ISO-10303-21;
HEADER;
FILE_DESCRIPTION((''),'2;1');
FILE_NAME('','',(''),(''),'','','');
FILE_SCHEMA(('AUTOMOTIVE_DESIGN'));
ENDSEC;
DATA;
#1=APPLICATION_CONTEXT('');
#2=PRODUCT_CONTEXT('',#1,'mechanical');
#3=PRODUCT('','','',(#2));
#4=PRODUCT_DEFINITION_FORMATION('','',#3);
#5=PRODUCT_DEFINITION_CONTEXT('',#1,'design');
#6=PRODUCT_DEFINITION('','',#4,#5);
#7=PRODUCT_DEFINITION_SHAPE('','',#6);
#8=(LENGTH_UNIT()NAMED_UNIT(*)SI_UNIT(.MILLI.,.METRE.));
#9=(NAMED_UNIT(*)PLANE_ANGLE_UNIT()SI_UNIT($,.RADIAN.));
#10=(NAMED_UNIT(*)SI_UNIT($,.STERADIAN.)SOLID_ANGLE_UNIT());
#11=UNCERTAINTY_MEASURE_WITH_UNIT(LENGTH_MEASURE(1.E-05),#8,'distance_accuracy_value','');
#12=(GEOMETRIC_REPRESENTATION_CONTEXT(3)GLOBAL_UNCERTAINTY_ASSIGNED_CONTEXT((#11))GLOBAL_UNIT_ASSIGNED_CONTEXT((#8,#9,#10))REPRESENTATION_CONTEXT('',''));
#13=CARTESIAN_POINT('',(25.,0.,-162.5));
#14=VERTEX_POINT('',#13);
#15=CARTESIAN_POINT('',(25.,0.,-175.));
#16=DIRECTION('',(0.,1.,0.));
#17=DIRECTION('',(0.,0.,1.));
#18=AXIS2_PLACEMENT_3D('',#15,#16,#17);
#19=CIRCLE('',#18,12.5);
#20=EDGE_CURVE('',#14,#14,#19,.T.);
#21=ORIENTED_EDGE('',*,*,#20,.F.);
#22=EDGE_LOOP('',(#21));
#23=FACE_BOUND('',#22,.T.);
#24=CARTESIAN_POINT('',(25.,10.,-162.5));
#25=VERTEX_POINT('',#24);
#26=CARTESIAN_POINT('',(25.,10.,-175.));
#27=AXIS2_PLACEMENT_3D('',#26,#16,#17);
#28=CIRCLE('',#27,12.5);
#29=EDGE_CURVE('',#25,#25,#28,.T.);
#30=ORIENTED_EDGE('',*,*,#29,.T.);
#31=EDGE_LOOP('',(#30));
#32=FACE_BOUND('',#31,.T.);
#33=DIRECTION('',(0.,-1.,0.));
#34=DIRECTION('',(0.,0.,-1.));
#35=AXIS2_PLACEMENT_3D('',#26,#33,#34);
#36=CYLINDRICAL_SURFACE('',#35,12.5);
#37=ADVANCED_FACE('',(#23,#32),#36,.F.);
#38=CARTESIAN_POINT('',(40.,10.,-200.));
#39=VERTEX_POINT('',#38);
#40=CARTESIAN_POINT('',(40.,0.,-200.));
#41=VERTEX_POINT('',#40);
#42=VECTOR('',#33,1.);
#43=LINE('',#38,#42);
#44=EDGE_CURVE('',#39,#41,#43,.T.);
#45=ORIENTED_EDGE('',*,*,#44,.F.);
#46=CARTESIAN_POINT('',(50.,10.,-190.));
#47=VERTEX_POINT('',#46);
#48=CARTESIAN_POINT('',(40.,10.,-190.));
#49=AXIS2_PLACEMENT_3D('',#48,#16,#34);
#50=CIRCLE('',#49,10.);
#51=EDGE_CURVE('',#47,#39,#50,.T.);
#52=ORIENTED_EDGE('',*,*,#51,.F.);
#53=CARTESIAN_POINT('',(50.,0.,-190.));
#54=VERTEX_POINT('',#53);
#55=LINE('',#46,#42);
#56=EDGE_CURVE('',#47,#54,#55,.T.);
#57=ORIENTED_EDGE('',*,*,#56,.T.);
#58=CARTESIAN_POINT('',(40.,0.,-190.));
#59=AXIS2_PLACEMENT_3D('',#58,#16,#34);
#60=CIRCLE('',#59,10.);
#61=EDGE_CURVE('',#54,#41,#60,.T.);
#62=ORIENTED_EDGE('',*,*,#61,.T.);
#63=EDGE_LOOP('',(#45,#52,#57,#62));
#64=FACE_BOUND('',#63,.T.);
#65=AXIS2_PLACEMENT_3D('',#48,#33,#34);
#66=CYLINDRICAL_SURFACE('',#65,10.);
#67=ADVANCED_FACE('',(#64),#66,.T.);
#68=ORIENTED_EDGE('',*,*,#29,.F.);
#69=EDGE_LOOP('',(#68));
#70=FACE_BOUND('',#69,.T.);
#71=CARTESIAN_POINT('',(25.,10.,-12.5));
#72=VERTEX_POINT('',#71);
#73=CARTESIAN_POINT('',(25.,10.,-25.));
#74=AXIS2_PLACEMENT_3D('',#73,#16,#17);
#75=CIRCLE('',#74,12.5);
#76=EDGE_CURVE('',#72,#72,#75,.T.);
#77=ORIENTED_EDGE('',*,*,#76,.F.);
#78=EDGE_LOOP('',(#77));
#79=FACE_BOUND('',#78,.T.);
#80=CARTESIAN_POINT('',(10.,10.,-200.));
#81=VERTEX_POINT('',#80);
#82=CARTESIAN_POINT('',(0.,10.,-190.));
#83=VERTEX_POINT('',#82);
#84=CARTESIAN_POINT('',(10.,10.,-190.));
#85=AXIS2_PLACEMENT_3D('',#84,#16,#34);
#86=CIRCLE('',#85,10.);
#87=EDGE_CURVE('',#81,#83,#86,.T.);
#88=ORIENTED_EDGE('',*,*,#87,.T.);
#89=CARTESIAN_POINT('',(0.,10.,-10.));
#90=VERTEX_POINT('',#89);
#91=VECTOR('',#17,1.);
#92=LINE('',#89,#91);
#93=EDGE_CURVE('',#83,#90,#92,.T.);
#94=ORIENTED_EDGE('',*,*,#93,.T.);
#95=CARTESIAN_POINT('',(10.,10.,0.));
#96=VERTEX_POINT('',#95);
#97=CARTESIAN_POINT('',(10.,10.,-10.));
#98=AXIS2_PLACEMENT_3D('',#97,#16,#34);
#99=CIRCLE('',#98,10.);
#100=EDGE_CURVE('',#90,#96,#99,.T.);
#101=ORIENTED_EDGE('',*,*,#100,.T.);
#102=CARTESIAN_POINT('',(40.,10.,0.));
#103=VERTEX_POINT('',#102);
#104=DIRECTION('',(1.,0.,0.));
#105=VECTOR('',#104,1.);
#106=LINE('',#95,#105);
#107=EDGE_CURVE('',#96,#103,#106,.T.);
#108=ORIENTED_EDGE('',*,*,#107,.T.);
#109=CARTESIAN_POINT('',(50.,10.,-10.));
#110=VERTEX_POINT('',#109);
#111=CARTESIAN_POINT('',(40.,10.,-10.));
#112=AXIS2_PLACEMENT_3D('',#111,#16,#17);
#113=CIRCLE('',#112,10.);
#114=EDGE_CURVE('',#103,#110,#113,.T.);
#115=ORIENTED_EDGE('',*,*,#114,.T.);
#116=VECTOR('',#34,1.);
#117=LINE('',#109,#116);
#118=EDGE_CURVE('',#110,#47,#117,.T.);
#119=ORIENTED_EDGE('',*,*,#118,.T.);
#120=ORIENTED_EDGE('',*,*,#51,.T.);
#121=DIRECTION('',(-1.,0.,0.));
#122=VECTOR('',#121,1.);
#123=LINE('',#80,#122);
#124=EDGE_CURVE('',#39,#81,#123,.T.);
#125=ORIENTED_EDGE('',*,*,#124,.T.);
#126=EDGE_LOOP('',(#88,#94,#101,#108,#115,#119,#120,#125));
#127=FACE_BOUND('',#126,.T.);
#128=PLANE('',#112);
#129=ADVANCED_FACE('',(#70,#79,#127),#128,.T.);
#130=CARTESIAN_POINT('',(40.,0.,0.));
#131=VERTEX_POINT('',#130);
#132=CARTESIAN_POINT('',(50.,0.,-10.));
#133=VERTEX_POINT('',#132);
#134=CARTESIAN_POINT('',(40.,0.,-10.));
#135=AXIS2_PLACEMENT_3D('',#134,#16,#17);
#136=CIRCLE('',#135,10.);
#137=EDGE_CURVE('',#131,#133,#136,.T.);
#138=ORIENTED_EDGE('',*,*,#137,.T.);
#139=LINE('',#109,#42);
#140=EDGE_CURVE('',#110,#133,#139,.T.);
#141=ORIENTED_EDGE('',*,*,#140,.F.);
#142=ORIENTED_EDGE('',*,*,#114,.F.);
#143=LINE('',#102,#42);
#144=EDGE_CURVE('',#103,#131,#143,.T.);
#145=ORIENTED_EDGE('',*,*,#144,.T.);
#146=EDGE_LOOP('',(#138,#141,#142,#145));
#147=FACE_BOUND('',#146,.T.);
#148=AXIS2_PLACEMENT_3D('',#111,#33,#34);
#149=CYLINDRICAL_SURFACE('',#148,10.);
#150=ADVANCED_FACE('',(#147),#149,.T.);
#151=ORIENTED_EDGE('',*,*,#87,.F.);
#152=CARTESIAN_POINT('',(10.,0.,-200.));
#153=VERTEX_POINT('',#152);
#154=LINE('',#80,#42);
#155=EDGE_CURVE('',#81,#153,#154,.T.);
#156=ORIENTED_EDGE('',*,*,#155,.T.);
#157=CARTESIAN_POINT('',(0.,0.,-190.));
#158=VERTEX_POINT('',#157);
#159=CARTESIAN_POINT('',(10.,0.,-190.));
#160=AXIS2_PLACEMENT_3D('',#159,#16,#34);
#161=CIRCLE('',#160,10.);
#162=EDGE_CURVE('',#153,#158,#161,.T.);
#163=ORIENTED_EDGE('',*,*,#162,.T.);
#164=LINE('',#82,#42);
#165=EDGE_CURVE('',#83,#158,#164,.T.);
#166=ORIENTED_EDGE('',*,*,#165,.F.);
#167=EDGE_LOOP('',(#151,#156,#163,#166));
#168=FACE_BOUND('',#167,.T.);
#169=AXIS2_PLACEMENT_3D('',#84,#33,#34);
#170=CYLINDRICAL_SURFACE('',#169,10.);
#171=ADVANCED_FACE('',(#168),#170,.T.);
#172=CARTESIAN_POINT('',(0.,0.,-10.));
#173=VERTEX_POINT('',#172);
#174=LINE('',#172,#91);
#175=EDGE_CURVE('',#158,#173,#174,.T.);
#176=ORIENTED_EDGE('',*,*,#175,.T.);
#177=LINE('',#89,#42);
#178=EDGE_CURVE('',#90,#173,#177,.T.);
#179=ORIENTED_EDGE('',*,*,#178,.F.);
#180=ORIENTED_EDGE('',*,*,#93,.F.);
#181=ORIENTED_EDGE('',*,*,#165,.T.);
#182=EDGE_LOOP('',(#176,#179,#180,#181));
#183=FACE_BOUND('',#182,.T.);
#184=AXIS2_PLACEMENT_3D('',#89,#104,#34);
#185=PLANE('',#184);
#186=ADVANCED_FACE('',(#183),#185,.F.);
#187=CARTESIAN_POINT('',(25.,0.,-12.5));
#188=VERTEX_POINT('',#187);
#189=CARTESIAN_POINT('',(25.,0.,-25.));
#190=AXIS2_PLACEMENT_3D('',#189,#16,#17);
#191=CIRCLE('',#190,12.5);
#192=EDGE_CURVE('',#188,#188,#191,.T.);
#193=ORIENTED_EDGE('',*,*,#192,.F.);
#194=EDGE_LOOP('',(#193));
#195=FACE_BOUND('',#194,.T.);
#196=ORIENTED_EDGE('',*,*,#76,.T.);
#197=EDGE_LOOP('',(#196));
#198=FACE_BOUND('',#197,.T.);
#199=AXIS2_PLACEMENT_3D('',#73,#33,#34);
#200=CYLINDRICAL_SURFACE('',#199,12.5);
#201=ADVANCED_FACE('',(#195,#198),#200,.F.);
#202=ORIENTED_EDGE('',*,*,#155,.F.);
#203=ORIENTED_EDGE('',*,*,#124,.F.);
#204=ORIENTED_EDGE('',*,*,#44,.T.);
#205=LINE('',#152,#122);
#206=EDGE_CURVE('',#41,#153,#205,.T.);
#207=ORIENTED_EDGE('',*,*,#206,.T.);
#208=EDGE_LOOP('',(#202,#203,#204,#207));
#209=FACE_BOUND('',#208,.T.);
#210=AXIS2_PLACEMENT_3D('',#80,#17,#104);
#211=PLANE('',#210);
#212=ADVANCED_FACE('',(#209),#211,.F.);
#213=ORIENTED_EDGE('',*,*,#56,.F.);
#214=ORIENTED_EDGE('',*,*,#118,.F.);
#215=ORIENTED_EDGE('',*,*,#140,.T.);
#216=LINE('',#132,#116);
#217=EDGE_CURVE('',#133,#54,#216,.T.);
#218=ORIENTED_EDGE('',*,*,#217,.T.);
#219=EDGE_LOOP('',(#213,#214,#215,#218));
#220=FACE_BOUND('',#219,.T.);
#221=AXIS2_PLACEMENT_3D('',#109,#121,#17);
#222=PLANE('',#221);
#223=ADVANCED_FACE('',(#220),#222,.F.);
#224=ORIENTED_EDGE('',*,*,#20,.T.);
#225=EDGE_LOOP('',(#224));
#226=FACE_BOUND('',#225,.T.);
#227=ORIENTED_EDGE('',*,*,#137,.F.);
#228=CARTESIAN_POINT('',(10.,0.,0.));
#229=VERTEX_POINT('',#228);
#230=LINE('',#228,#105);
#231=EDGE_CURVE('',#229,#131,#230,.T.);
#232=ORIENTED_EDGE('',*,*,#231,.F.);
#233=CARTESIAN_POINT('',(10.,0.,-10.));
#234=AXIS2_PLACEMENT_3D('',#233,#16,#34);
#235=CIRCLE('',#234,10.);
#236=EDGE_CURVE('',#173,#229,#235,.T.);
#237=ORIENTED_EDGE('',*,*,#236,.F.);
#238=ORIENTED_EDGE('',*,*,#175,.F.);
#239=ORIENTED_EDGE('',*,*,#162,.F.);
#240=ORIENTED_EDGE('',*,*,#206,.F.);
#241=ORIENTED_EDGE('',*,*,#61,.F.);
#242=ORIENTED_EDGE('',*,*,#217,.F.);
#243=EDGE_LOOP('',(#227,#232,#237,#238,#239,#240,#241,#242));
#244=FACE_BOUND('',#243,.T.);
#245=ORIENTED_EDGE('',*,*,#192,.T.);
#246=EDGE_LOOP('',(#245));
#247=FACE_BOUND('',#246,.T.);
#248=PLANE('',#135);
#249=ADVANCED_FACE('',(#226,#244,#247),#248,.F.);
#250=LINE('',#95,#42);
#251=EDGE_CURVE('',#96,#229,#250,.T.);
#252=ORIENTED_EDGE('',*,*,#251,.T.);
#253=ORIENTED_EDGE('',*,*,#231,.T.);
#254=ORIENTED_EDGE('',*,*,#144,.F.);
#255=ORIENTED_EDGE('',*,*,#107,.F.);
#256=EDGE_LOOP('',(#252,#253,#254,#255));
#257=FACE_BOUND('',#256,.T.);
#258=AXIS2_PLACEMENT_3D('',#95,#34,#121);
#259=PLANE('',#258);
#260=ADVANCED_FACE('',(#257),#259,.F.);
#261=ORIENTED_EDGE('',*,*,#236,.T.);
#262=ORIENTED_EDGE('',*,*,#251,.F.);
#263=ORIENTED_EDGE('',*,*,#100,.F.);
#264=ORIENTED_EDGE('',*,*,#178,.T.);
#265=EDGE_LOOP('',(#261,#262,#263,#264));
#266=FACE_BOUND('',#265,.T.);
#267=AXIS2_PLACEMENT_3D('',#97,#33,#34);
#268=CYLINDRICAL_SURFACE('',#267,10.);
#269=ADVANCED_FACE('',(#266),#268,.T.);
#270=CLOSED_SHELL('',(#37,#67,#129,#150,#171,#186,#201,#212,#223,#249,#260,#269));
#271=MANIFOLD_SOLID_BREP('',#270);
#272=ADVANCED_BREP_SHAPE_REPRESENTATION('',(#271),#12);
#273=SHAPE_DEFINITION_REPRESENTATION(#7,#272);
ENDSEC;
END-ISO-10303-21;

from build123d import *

# Parameters (mm, degrees)
SKETCH1_R           = 12.5
BOSS_EXTRUDE1_DEPTH = 10


with BuildPart() as part:
    # Sketch1 → Boss-Extrude1 (new body)
    with BuildSketch(Plane(origin=(0, 0, 0), x_dir=(1, 0, 0), z_dir=(0, 1, 0))):
        with BuildLine():
            Line((10, 0), (40, 0))
            ThreePointArc((40, 0), (47.071067812, 2.928932188), (50, 10))
            Line((50, 10), (50, 190))
            ThreePointArc((50, 190), (47.071067812, 197.071067812), (40, 200))
            Line((40, 200), (10, 200))
            ThreePointArc((10, 200), (2.928932188, 197.071067812), (0, 190))
            Line((0, 190), (0, 10))
            ThreePointArc((0, 10), (2.928932188, 2.928932188), (10, 0))
        make_face()
        with Locations(Location((25, 25, 0), (0, 0, 270))):
            Circle(SKETCH1_R, mode=Mode.SUBTRACT)
        with Locations(Location((25, 175, 0), (0, 0, 270))):
            Circle(SKETCH1_R, mode=Mode.SUBTRACT)
    extrude(amount=BOSS_EXTRUDE1_DEPTH)


solid = part.part
